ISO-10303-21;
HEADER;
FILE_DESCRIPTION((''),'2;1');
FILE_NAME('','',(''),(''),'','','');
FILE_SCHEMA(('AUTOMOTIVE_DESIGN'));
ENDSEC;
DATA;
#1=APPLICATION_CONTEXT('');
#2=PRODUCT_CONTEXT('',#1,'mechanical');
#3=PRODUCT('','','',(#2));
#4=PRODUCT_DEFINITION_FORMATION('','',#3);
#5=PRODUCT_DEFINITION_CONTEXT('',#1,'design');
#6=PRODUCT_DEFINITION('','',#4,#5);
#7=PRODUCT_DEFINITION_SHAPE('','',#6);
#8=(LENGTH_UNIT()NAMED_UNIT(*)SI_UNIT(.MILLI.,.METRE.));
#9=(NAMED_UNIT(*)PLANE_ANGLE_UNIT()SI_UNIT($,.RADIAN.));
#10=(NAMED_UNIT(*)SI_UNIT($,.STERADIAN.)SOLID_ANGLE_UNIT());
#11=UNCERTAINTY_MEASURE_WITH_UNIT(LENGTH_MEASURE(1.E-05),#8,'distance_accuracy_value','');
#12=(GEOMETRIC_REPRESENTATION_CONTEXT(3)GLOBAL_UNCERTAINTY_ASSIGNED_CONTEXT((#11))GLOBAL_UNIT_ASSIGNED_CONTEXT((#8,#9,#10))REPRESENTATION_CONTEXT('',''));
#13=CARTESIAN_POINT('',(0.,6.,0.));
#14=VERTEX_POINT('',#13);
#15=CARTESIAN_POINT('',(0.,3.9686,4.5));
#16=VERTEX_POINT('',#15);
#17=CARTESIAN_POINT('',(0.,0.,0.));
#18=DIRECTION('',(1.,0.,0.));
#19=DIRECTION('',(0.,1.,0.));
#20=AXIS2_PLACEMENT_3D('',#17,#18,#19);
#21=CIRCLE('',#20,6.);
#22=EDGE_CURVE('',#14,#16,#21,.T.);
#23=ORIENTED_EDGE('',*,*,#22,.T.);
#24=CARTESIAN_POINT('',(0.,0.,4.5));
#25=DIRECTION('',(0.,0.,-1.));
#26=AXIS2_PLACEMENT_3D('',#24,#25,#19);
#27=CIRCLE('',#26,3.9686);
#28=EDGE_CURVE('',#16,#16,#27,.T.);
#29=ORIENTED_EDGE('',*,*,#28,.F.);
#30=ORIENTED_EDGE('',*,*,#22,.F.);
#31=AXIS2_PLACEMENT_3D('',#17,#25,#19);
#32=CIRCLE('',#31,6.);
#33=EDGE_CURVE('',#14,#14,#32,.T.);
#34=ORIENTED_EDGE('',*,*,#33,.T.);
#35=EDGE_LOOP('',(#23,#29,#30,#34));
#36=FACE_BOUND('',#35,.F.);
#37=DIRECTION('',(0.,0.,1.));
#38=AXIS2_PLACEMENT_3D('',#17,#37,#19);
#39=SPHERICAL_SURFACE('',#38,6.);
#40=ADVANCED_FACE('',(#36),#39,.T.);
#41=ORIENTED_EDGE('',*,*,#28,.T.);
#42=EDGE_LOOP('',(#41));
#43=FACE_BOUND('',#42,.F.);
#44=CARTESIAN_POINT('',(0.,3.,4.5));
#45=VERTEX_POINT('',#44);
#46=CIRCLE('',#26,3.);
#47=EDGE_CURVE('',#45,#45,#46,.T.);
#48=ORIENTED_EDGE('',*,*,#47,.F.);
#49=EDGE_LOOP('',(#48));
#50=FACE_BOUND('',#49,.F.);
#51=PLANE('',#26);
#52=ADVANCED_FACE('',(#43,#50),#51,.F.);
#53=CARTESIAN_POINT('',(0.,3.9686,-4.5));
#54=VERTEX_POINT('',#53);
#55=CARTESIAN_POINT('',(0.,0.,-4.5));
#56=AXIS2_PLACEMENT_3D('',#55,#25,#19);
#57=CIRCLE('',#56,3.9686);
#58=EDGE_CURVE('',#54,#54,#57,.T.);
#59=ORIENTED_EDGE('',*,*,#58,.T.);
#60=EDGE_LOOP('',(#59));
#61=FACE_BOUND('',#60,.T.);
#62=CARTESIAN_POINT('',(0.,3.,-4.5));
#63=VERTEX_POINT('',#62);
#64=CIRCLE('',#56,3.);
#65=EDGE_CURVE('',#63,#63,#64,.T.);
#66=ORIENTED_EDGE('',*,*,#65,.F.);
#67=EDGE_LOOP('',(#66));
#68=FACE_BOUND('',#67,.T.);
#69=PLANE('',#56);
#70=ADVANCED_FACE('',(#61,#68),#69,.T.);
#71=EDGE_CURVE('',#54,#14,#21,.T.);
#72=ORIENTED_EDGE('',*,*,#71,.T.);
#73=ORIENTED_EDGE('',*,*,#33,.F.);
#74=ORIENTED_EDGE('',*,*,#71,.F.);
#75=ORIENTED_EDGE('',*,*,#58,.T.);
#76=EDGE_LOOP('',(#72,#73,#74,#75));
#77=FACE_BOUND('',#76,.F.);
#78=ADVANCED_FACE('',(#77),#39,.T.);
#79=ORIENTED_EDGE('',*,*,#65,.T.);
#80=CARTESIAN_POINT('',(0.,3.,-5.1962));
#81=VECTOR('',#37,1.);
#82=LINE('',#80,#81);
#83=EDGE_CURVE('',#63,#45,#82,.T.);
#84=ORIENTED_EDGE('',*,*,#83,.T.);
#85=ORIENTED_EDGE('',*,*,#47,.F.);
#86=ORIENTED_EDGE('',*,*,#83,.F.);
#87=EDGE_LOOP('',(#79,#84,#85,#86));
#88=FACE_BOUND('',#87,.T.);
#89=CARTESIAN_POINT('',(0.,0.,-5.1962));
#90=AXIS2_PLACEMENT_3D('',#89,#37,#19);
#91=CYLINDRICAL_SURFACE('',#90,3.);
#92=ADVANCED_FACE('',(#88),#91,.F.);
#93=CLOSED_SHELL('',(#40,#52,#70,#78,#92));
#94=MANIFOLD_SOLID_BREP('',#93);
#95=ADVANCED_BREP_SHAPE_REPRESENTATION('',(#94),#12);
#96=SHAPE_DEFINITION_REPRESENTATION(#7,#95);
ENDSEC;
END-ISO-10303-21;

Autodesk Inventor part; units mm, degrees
ref_plane "YZ Plane" through (0, 0, 0) normal (1, 0, 0) x (0, 1, 0)
ref_plane "XZ Plane" through (0, 0, 0) normal (0, 1, 0) x (-1, 0, 0)
ref_plane "XY Plane" through (0, 0, 0) normal (0, 0, 1) x (1, 0, 0)
sketch "Sketch1" plane through (0, 0, 0) normal (1, 0, 0) x (0, 1, 0)
  circle A0 centre (0, 0) radius 6
  line L0 (0, 6) -> (0, -6)
  line L1 (3, -5.1962) -> (3, 5.1962)
  line L2 (3.9686, 4.5) -> (3, 4.5)
  line L3 (3.9686, -4.5) -> (3, -4.5)
  dimension "d0" = 6
  dimension "d1" = 9
  dimension "d2" = 12
revolve "Revolution1" add sketch "Sketch1" angle 360 about axis through (0, 0, 6) along (0, 0, -1) contours A0 L3 L1 L2
properties part number "Ball_6mm_CPY"
